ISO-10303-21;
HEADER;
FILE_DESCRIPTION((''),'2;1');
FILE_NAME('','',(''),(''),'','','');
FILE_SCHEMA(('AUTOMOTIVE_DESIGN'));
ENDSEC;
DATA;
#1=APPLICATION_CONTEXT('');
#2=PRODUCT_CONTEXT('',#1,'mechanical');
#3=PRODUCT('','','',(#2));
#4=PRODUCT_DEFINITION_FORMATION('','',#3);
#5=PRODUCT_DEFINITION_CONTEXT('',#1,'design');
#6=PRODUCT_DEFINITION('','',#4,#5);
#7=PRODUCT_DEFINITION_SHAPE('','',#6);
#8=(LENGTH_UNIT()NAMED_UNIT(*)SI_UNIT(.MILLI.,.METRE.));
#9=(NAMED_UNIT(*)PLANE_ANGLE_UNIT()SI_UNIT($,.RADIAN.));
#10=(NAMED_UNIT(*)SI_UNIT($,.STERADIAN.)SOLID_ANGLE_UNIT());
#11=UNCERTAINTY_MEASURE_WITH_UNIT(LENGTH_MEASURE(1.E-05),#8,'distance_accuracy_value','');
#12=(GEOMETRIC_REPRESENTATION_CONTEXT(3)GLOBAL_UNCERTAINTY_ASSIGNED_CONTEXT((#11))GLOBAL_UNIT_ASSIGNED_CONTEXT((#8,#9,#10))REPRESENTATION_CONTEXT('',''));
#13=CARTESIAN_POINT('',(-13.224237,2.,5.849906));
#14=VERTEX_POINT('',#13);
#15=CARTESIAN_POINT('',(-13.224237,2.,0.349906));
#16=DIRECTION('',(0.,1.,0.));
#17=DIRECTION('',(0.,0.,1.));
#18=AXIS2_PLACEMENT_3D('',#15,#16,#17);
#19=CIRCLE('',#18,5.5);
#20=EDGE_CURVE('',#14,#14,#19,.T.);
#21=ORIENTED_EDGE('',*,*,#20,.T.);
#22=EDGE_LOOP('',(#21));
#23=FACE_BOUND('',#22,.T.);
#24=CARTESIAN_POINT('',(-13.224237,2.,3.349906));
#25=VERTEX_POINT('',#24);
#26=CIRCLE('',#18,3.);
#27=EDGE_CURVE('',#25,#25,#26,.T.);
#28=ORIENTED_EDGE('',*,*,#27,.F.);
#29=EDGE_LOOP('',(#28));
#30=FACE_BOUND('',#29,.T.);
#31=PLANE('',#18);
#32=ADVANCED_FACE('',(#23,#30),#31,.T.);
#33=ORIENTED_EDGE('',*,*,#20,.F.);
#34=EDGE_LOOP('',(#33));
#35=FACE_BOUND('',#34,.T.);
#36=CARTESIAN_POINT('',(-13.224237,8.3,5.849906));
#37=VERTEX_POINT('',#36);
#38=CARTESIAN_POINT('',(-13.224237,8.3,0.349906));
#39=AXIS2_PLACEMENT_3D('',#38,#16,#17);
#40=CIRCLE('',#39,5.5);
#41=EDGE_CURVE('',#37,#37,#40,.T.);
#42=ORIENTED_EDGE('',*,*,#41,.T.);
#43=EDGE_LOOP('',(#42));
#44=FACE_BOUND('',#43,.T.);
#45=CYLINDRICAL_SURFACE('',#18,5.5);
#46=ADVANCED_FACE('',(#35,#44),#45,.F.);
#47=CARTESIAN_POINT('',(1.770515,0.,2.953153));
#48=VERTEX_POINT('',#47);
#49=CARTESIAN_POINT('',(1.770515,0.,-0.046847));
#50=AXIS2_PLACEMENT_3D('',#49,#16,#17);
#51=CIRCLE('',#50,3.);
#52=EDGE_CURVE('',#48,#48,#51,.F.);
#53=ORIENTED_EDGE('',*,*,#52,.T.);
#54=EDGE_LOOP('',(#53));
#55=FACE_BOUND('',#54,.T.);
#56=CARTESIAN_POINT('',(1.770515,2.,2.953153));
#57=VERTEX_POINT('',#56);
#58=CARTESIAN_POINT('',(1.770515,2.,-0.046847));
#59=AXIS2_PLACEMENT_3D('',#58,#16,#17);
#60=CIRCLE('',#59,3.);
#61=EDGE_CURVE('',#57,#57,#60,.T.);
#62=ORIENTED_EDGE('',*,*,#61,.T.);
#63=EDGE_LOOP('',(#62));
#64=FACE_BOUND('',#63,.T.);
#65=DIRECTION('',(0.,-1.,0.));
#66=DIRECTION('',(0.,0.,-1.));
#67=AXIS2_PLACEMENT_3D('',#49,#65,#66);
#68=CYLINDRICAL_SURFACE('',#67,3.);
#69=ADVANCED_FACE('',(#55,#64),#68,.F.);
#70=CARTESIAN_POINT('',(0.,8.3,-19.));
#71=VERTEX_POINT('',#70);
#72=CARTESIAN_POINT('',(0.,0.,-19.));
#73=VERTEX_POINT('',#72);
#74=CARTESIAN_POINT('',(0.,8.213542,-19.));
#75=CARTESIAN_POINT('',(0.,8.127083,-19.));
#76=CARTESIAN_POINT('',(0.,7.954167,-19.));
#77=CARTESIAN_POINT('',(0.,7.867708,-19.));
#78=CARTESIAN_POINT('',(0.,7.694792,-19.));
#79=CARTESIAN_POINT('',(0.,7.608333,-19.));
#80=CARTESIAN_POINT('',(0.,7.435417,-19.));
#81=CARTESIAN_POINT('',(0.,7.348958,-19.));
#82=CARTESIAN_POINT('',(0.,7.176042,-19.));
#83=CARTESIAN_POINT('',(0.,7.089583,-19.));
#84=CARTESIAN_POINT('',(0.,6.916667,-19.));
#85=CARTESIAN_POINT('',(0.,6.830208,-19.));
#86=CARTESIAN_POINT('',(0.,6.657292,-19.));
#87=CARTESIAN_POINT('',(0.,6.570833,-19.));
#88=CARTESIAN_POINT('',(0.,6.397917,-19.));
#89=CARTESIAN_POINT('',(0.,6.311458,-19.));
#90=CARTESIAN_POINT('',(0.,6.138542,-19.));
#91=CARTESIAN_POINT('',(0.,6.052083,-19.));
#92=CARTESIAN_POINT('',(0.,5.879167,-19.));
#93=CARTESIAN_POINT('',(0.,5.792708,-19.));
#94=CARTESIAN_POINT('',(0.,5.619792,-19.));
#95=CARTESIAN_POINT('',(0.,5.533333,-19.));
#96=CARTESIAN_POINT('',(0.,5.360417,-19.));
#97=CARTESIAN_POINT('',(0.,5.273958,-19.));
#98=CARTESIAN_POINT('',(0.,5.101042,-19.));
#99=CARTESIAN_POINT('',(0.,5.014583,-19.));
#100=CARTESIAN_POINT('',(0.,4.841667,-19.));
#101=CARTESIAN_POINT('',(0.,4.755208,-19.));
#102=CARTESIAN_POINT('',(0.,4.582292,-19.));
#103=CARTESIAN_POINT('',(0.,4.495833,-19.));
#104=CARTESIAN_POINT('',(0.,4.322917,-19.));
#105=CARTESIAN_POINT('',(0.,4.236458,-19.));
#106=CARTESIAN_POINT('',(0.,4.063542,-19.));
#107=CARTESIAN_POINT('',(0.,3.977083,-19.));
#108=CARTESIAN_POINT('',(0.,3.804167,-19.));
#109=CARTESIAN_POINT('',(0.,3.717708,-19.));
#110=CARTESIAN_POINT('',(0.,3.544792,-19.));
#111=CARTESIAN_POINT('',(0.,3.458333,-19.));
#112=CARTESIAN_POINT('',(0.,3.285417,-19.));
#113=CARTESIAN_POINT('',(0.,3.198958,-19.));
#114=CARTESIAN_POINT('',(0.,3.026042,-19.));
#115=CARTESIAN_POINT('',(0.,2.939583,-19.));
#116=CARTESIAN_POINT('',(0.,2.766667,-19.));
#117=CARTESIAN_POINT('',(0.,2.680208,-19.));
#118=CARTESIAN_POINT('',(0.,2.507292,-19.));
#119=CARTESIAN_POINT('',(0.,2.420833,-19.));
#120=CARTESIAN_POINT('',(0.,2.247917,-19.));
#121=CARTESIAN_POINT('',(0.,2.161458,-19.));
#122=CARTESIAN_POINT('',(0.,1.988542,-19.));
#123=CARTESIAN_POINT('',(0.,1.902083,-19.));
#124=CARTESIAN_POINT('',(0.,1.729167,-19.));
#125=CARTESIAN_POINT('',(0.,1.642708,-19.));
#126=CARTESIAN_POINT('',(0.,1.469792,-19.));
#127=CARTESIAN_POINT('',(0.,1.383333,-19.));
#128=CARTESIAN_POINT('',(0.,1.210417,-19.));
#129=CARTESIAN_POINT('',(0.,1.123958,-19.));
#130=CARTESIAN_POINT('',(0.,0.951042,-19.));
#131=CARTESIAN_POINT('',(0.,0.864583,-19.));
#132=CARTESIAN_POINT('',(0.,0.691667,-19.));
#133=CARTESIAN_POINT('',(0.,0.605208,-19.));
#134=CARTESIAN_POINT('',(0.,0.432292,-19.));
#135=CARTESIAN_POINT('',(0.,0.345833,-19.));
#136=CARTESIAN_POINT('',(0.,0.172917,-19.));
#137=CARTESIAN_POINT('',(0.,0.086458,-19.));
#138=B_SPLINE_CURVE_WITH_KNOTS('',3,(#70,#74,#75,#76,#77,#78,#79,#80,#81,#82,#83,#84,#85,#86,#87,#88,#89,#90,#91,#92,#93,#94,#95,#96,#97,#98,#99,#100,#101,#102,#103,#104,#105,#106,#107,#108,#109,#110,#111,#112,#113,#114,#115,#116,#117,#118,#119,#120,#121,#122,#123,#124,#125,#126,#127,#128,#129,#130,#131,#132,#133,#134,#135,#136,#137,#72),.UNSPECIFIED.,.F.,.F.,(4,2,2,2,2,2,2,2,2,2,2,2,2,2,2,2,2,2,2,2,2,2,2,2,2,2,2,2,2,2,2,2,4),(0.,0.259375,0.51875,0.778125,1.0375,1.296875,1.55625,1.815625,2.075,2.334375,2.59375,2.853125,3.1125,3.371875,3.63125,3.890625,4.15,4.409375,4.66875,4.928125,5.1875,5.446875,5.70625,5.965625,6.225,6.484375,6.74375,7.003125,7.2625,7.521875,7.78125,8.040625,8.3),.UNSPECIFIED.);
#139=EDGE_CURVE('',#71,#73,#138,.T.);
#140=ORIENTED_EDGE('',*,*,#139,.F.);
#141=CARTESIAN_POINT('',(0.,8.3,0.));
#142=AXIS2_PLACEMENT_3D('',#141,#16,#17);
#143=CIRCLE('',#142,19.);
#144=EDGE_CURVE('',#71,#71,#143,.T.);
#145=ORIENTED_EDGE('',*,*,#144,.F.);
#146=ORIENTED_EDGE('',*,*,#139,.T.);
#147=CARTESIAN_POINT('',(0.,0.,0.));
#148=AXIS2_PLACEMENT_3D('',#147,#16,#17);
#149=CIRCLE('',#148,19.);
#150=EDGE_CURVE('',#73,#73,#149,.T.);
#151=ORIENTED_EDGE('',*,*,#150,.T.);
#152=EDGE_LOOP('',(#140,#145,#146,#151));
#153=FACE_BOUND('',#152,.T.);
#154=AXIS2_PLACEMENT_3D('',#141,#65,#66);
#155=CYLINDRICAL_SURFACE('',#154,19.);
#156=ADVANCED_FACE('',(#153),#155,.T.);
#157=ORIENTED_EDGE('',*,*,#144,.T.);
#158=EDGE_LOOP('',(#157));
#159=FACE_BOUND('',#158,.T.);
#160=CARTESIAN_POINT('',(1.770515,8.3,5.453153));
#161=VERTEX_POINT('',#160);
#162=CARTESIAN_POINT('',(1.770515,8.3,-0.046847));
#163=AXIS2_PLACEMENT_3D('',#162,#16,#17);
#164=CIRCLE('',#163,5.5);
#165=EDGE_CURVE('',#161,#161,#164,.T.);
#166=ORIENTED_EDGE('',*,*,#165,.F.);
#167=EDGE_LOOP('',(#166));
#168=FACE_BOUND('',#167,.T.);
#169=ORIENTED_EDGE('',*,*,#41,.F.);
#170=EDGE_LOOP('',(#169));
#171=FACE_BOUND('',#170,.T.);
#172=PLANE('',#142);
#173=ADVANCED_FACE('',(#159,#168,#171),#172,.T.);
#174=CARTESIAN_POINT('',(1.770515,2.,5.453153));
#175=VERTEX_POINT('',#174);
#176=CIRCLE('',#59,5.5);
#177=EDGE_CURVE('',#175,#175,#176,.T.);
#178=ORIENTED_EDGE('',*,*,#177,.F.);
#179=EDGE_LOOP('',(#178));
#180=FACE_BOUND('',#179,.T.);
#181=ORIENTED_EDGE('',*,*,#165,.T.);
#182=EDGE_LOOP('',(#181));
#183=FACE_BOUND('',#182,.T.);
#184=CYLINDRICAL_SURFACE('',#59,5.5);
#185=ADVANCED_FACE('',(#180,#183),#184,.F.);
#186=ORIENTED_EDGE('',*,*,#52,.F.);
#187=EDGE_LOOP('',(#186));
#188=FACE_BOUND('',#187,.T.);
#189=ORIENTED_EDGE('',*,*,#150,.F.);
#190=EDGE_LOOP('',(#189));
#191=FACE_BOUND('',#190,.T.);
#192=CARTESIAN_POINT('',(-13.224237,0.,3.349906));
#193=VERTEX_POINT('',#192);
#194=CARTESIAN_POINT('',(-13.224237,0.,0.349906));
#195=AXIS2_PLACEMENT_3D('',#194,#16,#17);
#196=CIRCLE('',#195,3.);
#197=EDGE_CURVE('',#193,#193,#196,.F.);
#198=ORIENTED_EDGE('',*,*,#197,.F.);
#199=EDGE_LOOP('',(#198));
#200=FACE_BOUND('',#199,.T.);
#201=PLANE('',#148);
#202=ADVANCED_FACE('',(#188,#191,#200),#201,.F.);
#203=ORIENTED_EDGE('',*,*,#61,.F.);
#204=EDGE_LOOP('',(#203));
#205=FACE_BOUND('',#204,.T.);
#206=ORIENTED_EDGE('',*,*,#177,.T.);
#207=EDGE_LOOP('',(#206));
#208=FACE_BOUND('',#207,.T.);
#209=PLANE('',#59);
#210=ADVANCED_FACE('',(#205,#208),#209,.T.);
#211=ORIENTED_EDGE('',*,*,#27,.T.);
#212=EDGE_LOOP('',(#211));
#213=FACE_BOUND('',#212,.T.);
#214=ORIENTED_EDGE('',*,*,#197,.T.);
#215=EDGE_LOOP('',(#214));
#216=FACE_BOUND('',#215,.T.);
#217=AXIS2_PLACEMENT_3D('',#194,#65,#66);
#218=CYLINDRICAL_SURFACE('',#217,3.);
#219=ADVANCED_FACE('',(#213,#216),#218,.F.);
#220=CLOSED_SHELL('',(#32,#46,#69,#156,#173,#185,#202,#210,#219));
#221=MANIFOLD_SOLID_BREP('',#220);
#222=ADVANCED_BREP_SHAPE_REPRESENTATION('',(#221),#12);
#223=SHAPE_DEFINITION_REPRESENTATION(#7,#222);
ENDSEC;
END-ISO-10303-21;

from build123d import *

# Parameters (mm, degrees)
SZKIC1_R                        = 19
DODANIE_WYCI_GNI_CIE1_DEPTH     = 8.3
WYTNIJ_WYCI_GNI_CIE1_DEPTH      = 1036.988363246
WYTNIJ_WYCI_GNI_CIE1_DEPTH_BACK = 1036.988363246
SZKIC2_R                        = 3
WYTNIJ_WYCI_GNI_CIE2_START      = 8.3
SZKIC3_R                        = 5.5
WYTNIJ_WYCI_GNI_CIE2_DEPTH      = 6.3


with BuildPart() as part:
    # Szkic1 → Dodanie-wyciągnięcie1 (new body)
    with BuildSketch(Plane(origin=(0, 0, 0), x_dir=(1, 0, 0), z_dir=(0, 1, 0))):
        with Locations(Location((0, 0, 0), (0, 0, 90))):
            Circle(SZKIC1_R)
    extrude(amount=DODANIE_WYCI_GNI_CIE1_DEPTH)

    # Szkic2 → Wytnij-wyciągnięcie1 (cut, two sides: drawn at the far end of the back side and taken through both)
    with BuildSketch(Plane(origin=(141.849854944, -17.369665232, -1004.103260298), x_dir=(0.9996501322683511, 0, -0.02645019954306737), z_dir=(0, 1, 0)).offset(-WYTNIJ_WYCI_GNI_CIE1_DEPTH_BACK)):
        with Locations(Location((-181.587823501, -1000, 0), (0, 0, 268.484338434))):
            Circle(SZKIC2_R)
        with Locations(Location((-166.587823501, -1000, 0), (0, 0, 268.484338434))):
            Circle(SZKIC2_R)
    extrude(amount=WYTNIJ_WYCI_GNI_CIE1_DEPTH + WYTNIJ_WYCI_GNI_CIE1_DEPTH_BACK, mode=Mode.SUBTRACT)

    # Szkic3 → Wytnij-wyciągnięcie2 (cut)
    with BuildSketch(Plane(origin=(0, 0, 0), x_dir=(1, 0, 0), z_dir=(0, 1, 0)).offset(WYTNIJ_WYCI_GNI_CIE2_START)):
        with Locations(Location((-13.224237294, -0.349906136, 0), (0, 0, 270))):
            Circle(SZKIC3_R)
        with Locations(Location((1.77051469, 0.046846857, 0), (0, 0, 270))):
            Circle(SZKIC3_R)
    extrude(amount=-WYTNIJ_WYCI_GNI_CIE2_DEPTH, mode=Mode.SUBTRACT)


solid = part.part
